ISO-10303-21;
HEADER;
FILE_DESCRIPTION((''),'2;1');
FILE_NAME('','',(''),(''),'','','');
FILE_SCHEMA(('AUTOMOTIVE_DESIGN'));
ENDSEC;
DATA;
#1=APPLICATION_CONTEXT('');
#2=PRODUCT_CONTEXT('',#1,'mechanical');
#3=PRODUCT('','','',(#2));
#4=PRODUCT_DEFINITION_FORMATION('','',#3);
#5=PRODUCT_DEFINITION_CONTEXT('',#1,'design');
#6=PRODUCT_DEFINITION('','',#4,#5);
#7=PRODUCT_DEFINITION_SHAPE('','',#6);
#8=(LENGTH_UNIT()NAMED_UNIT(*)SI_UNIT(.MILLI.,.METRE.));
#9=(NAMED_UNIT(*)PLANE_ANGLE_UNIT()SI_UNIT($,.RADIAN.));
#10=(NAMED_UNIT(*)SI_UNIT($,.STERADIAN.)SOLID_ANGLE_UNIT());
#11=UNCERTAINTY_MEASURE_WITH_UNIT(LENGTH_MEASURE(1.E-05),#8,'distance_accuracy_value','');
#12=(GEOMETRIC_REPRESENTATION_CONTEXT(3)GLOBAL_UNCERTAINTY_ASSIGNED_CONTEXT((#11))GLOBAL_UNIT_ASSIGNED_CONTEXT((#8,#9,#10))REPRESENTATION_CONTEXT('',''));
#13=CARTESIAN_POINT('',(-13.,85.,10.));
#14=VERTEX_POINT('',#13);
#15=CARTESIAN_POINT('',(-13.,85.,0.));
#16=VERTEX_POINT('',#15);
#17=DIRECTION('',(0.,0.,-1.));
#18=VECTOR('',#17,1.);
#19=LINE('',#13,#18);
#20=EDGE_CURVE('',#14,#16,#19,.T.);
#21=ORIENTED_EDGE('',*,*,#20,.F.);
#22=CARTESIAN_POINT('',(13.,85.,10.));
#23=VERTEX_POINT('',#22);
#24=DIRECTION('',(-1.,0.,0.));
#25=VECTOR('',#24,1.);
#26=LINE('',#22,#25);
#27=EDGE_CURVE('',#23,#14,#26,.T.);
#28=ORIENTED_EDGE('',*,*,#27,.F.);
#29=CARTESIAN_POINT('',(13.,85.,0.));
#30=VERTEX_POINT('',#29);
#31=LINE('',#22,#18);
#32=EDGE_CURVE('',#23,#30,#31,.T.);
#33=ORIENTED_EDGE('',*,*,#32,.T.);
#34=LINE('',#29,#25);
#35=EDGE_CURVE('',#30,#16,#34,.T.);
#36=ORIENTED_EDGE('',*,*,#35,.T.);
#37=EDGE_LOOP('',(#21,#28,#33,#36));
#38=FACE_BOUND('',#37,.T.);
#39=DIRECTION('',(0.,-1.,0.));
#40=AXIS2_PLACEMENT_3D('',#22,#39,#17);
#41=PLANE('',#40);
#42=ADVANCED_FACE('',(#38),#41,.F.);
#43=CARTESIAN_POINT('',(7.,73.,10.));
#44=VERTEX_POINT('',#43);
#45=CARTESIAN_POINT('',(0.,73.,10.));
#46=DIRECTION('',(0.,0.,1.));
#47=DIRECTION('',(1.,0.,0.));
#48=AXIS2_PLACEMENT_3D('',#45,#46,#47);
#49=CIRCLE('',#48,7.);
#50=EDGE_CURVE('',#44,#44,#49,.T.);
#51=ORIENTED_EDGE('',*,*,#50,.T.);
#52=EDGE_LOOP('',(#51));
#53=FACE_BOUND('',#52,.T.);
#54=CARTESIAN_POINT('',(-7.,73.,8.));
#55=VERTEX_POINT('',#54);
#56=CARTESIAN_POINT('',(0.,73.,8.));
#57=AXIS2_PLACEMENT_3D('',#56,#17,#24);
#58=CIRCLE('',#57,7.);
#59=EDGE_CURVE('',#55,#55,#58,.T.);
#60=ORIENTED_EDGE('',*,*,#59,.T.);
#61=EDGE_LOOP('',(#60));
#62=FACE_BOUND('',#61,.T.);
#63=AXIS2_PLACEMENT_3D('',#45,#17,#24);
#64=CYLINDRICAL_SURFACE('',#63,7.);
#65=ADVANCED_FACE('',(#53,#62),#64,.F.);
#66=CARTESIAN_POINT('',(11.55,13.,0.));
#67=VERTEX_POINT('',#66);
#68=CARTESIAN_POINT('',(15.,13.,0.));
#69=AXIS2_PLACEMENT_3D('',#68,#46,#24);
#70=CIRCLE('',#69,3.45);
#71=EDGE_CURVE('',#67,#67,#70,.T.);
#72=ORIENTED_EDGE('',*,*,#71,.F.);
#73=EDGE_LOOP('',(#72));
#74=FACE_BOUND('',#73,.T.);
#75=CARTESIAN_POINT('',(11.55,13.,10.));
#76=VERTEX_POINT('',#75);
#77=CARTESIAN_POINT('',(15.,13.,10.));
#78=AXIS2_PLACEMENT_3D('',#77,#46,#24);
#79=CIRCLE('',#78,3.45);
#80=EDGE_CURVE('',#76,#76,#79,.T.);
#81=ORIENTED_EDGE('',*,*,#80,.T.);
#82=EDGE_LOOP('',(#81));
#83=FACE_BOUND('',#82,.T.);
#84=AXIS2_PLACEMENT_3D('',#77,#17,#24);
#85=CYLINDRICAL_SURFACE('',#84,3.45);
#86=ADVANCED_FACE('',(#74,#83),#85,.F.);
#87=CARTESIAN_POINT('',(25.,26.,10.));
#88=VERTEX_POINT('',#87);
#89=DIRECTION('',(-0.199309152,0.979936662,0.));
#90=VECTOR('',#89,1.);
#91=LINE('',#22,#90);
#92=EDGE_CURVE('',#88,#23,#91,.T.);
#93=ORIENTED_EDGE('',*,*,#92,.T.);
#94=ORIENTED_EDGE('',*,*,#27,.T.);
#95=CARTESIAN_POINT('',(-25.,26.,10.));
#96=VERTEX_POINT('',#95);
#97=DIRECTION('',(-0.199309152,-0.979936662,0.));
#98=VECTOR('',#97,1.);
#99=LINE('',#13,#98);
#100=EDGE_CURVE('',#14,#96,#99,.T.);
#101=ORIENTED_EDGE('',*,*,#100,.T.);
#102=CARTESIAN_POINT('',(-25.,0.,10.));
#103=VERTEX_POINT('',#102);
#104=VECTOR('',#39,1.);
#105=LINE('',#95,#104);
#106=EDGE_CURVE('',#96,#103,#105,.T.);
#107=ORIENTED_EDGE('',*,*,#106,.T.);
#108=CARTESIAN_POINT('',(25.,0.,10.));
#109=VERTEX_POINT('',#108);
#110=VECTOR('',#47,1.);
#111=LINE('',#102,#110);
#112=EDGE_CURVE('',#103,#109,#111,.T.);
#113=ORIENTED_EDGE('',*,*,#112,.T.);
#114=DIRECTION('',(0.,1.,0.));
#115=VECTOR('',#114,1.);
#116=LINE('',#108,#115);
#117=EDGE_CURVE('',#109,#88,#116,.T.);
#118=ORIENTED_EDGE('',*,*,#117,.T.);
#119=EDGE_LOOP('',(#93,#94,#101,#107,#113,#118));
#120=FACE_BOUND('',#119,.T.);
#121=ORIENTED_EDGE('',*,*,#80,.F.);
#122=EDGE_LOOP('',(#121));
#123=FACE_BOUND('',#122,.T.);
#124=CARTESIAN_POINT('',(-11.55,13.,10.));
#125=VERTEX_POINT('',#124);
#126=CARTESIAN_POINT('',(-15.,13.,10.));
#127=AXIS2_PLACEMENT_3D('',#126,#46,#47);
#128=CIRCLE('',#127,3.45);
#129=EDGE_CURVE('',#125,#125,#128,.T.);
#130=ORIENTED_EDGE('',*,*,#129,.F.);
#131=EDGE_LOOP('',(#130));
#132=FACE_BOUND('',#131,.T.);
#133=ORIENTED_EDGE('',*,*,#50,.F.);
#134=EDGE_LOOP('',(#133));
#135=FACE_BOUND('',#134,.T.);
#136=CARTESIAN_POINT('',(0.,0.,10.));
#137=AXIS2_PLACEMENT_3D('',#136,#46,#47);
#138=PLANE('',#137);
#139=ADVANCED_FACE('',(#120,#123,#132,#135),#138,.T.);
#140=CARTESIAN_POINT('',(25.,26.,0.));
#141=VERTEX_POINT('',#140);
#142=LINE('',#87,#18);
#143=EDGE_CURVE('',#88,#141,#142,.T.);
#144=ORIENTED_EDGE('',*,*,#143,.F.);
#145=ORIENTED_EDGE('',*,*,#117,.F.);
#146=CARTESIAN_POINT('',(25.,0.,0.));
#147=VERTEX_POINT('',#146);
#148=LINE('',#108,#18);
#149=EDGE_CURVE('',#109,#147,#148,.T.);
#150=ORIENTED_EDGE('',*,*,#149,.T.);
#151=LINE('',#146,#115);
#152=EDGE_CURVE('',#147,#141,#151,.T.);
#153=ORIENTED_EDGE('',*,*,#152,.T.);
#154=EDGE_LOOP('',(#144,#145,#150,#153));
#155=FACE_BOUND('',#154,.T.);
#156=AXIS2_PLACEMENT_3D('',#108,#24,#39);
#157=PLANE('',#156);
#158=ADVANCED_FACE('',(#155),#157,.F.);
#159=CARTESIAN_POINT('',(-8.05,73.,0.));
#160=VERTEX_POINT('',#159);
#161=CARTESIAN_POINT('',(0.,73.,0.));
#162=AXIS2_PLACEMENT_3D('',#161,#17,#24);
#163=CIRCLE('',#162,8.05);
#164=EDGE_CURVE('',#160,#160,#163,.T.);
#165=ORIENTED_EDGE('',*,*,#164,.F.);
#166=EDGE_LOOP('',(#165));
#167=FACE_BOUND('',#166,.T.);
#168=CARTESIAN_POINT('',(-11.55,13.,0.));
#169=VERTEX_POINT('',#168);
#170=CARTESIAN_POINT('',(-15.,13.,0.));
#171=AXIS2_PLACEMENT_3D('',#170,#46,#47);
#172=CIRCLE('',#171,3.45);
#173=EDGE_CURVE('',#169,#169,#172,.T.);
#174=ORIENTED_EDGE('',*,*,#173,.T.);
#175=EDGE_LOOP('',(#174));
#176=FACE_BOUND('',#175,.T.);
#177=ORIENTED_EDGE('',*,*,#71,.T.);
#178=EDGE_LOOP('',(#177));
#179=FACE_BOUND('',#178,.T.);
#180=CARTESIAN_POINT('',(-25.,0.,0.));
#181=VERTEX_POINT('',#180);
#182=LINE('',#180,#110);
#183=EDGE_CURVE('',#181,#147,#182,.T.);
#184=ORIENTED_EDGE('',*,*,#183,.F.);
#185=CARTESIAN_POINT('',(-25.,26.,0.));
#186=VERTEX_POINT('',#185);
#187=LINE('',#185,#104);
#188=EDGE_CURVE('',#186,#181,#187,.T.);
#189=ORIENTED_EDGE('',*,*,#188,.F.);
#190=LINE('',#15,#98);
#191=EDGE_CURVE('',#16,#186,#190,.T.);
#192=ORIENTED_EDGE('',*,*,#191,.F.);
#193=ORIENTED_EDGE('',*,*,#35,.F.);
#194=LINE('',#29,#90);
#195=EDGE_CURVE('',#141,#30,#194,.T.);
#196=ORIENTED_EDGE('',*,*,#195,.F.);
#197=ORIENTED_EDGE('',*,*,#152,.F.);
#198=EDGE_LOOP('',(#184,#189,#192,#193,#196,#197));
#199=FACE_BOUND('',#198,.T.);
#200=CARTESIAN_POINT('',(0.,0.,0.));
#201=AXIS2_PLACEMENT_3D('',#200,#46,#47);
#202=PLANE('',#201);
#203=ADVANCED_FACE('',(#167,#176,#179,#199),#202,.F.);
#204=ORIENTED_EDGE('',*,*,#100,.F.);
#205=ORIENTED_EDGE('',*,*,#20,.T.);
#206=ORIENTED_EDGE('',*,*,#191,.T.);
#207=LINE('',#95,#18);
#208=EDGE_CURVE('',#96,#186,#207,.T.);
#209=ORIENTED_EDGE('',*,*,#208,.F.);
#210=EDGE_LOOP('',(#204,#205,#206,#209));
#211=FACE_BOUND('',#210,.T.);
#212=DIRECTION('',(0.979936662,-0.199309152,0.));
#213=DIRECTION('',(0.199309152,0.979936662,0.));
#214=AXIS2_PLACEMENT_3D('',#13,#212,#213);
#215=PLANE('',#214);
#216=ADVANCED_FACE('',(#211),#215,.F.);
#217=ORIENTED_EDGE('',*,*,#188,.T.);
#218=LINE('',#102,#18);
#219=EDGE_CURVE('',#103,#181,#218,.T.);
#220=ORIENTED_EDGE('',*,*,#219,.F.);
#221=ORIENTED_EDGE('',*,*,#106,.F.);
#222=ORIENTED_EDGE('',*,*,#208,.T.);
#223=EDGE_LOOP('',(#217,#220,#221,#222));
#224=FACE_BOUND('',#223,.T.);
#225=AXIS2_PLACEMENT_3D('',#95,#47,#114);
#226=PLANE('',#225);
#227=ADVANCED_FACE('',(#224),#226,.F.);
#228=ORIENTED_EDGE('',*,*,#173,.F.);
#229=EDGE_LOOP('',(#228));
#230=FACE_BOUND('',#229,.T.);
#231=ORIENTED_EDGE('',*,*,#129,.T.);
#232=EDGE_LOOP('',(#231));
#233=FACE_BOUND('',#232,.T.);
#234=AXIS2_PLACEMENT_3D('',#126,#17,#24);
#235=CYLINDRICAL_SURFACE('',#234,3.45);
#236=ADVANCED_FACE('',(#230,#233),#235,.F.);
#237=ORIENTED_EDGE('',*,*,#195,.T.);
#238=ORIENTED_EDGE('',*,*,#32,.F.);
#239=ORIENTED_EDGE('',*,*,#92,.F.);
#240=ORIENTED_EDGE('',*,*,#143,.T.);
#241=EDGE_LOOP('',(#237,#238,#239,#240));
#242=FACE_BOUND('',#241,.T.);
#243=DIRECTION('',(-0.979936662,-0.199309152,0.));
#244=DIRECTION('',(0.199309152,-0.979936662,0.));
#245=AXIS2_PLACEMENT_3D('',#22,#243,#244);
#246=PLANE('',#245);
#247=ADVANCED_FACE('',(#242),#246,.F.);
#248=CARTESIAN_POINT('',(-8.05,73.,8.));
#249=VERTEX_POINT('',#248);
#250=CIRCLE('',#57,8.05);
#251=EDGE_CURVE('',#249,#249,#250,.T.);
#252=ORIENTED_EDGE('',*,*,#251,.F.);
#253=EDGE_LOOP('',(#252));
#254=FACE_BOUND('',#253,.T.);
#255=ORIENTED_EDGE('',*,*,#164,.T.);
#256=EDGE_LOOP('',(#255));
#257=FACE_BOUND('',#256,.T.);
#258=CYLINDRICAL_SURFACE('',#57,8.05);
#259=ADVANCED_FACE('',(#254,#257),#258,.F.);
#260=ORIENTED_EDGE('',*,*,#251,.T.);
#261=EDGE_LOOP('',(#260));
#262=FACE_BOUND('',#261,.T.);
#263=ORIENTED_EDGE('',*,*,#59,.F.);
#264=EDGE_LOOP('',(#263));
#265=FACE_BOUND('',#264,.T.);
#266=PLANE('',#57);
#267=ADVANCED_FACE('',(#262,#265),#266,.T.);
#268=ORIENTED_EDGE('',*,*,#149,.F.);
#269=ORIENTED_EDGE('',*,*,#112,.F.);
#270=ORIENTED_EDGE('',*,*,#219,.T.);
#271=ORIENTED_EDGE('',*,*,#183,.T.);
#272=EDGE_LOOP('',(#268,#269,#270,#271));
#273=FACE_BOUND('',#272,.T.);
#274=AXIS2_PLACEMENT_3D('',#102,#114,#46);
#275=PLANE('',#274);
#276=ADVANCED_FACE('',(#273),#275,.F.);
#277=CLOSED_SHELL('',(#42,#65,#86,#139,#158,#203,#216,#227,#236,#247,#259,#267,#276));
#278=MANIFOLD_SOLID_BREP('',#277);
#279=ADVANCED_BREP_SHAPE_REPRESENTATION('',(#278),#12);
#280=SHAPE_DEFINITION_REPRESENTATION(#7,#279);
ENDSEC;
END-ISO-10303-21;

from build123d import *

# Parameters (mm, degrees)
SKETCH_1_R          = 7
SKETCH_1_R_2        = 3.45
EXTRUDE_1_DEPTH     = 10
SKETCH_2_R          = 8.05
SKETCH_2_R_2        = 4
CUT_EXTRUDE_1_DEPTH = 8


with BuildPart() as part:
    # 草图1 → 凸台-拉伸1 (new body)
    with BuildSketch(Plane.XY):
        Polygon((-25, 0), (25, 0), (25, 26), (13, 85), (-13, 85), (-25, 26), align=None)
        with Locations((0, 73)):
            Circle(SKETCH_1_R, mode=Mode.SUBTRACT)
        with Locations((-15, 13)):
            Circle(SKETCH_1_R_2, mode=Mode.SUBTRACT)
        with Locations((15, 13)):
            Circle(SKETCH_1_R_2, mode=Mode.SUBTRACT)
    extrude(amount=EXTRUDE_1_DEPTH)

    # 草图2 → 切除-拉伸1 (cut)
    with BuildSketch(Plane(origin=(0, 0, 0), x_dir=(-1, 0, 0), z_dir=(0, 0, -1))):
        with Locations((0, 73)):
            Circle(SKETCH_2_R)
        with Locations((0, 73)):
            Circle(SKETCH_2_R_2, mode=Mode.SUBTRACT)
    extrude(amount=-CUT_EXTRUDE_1_DEPTH, mode=Mode.SUBTRACT)


solid = part.part
